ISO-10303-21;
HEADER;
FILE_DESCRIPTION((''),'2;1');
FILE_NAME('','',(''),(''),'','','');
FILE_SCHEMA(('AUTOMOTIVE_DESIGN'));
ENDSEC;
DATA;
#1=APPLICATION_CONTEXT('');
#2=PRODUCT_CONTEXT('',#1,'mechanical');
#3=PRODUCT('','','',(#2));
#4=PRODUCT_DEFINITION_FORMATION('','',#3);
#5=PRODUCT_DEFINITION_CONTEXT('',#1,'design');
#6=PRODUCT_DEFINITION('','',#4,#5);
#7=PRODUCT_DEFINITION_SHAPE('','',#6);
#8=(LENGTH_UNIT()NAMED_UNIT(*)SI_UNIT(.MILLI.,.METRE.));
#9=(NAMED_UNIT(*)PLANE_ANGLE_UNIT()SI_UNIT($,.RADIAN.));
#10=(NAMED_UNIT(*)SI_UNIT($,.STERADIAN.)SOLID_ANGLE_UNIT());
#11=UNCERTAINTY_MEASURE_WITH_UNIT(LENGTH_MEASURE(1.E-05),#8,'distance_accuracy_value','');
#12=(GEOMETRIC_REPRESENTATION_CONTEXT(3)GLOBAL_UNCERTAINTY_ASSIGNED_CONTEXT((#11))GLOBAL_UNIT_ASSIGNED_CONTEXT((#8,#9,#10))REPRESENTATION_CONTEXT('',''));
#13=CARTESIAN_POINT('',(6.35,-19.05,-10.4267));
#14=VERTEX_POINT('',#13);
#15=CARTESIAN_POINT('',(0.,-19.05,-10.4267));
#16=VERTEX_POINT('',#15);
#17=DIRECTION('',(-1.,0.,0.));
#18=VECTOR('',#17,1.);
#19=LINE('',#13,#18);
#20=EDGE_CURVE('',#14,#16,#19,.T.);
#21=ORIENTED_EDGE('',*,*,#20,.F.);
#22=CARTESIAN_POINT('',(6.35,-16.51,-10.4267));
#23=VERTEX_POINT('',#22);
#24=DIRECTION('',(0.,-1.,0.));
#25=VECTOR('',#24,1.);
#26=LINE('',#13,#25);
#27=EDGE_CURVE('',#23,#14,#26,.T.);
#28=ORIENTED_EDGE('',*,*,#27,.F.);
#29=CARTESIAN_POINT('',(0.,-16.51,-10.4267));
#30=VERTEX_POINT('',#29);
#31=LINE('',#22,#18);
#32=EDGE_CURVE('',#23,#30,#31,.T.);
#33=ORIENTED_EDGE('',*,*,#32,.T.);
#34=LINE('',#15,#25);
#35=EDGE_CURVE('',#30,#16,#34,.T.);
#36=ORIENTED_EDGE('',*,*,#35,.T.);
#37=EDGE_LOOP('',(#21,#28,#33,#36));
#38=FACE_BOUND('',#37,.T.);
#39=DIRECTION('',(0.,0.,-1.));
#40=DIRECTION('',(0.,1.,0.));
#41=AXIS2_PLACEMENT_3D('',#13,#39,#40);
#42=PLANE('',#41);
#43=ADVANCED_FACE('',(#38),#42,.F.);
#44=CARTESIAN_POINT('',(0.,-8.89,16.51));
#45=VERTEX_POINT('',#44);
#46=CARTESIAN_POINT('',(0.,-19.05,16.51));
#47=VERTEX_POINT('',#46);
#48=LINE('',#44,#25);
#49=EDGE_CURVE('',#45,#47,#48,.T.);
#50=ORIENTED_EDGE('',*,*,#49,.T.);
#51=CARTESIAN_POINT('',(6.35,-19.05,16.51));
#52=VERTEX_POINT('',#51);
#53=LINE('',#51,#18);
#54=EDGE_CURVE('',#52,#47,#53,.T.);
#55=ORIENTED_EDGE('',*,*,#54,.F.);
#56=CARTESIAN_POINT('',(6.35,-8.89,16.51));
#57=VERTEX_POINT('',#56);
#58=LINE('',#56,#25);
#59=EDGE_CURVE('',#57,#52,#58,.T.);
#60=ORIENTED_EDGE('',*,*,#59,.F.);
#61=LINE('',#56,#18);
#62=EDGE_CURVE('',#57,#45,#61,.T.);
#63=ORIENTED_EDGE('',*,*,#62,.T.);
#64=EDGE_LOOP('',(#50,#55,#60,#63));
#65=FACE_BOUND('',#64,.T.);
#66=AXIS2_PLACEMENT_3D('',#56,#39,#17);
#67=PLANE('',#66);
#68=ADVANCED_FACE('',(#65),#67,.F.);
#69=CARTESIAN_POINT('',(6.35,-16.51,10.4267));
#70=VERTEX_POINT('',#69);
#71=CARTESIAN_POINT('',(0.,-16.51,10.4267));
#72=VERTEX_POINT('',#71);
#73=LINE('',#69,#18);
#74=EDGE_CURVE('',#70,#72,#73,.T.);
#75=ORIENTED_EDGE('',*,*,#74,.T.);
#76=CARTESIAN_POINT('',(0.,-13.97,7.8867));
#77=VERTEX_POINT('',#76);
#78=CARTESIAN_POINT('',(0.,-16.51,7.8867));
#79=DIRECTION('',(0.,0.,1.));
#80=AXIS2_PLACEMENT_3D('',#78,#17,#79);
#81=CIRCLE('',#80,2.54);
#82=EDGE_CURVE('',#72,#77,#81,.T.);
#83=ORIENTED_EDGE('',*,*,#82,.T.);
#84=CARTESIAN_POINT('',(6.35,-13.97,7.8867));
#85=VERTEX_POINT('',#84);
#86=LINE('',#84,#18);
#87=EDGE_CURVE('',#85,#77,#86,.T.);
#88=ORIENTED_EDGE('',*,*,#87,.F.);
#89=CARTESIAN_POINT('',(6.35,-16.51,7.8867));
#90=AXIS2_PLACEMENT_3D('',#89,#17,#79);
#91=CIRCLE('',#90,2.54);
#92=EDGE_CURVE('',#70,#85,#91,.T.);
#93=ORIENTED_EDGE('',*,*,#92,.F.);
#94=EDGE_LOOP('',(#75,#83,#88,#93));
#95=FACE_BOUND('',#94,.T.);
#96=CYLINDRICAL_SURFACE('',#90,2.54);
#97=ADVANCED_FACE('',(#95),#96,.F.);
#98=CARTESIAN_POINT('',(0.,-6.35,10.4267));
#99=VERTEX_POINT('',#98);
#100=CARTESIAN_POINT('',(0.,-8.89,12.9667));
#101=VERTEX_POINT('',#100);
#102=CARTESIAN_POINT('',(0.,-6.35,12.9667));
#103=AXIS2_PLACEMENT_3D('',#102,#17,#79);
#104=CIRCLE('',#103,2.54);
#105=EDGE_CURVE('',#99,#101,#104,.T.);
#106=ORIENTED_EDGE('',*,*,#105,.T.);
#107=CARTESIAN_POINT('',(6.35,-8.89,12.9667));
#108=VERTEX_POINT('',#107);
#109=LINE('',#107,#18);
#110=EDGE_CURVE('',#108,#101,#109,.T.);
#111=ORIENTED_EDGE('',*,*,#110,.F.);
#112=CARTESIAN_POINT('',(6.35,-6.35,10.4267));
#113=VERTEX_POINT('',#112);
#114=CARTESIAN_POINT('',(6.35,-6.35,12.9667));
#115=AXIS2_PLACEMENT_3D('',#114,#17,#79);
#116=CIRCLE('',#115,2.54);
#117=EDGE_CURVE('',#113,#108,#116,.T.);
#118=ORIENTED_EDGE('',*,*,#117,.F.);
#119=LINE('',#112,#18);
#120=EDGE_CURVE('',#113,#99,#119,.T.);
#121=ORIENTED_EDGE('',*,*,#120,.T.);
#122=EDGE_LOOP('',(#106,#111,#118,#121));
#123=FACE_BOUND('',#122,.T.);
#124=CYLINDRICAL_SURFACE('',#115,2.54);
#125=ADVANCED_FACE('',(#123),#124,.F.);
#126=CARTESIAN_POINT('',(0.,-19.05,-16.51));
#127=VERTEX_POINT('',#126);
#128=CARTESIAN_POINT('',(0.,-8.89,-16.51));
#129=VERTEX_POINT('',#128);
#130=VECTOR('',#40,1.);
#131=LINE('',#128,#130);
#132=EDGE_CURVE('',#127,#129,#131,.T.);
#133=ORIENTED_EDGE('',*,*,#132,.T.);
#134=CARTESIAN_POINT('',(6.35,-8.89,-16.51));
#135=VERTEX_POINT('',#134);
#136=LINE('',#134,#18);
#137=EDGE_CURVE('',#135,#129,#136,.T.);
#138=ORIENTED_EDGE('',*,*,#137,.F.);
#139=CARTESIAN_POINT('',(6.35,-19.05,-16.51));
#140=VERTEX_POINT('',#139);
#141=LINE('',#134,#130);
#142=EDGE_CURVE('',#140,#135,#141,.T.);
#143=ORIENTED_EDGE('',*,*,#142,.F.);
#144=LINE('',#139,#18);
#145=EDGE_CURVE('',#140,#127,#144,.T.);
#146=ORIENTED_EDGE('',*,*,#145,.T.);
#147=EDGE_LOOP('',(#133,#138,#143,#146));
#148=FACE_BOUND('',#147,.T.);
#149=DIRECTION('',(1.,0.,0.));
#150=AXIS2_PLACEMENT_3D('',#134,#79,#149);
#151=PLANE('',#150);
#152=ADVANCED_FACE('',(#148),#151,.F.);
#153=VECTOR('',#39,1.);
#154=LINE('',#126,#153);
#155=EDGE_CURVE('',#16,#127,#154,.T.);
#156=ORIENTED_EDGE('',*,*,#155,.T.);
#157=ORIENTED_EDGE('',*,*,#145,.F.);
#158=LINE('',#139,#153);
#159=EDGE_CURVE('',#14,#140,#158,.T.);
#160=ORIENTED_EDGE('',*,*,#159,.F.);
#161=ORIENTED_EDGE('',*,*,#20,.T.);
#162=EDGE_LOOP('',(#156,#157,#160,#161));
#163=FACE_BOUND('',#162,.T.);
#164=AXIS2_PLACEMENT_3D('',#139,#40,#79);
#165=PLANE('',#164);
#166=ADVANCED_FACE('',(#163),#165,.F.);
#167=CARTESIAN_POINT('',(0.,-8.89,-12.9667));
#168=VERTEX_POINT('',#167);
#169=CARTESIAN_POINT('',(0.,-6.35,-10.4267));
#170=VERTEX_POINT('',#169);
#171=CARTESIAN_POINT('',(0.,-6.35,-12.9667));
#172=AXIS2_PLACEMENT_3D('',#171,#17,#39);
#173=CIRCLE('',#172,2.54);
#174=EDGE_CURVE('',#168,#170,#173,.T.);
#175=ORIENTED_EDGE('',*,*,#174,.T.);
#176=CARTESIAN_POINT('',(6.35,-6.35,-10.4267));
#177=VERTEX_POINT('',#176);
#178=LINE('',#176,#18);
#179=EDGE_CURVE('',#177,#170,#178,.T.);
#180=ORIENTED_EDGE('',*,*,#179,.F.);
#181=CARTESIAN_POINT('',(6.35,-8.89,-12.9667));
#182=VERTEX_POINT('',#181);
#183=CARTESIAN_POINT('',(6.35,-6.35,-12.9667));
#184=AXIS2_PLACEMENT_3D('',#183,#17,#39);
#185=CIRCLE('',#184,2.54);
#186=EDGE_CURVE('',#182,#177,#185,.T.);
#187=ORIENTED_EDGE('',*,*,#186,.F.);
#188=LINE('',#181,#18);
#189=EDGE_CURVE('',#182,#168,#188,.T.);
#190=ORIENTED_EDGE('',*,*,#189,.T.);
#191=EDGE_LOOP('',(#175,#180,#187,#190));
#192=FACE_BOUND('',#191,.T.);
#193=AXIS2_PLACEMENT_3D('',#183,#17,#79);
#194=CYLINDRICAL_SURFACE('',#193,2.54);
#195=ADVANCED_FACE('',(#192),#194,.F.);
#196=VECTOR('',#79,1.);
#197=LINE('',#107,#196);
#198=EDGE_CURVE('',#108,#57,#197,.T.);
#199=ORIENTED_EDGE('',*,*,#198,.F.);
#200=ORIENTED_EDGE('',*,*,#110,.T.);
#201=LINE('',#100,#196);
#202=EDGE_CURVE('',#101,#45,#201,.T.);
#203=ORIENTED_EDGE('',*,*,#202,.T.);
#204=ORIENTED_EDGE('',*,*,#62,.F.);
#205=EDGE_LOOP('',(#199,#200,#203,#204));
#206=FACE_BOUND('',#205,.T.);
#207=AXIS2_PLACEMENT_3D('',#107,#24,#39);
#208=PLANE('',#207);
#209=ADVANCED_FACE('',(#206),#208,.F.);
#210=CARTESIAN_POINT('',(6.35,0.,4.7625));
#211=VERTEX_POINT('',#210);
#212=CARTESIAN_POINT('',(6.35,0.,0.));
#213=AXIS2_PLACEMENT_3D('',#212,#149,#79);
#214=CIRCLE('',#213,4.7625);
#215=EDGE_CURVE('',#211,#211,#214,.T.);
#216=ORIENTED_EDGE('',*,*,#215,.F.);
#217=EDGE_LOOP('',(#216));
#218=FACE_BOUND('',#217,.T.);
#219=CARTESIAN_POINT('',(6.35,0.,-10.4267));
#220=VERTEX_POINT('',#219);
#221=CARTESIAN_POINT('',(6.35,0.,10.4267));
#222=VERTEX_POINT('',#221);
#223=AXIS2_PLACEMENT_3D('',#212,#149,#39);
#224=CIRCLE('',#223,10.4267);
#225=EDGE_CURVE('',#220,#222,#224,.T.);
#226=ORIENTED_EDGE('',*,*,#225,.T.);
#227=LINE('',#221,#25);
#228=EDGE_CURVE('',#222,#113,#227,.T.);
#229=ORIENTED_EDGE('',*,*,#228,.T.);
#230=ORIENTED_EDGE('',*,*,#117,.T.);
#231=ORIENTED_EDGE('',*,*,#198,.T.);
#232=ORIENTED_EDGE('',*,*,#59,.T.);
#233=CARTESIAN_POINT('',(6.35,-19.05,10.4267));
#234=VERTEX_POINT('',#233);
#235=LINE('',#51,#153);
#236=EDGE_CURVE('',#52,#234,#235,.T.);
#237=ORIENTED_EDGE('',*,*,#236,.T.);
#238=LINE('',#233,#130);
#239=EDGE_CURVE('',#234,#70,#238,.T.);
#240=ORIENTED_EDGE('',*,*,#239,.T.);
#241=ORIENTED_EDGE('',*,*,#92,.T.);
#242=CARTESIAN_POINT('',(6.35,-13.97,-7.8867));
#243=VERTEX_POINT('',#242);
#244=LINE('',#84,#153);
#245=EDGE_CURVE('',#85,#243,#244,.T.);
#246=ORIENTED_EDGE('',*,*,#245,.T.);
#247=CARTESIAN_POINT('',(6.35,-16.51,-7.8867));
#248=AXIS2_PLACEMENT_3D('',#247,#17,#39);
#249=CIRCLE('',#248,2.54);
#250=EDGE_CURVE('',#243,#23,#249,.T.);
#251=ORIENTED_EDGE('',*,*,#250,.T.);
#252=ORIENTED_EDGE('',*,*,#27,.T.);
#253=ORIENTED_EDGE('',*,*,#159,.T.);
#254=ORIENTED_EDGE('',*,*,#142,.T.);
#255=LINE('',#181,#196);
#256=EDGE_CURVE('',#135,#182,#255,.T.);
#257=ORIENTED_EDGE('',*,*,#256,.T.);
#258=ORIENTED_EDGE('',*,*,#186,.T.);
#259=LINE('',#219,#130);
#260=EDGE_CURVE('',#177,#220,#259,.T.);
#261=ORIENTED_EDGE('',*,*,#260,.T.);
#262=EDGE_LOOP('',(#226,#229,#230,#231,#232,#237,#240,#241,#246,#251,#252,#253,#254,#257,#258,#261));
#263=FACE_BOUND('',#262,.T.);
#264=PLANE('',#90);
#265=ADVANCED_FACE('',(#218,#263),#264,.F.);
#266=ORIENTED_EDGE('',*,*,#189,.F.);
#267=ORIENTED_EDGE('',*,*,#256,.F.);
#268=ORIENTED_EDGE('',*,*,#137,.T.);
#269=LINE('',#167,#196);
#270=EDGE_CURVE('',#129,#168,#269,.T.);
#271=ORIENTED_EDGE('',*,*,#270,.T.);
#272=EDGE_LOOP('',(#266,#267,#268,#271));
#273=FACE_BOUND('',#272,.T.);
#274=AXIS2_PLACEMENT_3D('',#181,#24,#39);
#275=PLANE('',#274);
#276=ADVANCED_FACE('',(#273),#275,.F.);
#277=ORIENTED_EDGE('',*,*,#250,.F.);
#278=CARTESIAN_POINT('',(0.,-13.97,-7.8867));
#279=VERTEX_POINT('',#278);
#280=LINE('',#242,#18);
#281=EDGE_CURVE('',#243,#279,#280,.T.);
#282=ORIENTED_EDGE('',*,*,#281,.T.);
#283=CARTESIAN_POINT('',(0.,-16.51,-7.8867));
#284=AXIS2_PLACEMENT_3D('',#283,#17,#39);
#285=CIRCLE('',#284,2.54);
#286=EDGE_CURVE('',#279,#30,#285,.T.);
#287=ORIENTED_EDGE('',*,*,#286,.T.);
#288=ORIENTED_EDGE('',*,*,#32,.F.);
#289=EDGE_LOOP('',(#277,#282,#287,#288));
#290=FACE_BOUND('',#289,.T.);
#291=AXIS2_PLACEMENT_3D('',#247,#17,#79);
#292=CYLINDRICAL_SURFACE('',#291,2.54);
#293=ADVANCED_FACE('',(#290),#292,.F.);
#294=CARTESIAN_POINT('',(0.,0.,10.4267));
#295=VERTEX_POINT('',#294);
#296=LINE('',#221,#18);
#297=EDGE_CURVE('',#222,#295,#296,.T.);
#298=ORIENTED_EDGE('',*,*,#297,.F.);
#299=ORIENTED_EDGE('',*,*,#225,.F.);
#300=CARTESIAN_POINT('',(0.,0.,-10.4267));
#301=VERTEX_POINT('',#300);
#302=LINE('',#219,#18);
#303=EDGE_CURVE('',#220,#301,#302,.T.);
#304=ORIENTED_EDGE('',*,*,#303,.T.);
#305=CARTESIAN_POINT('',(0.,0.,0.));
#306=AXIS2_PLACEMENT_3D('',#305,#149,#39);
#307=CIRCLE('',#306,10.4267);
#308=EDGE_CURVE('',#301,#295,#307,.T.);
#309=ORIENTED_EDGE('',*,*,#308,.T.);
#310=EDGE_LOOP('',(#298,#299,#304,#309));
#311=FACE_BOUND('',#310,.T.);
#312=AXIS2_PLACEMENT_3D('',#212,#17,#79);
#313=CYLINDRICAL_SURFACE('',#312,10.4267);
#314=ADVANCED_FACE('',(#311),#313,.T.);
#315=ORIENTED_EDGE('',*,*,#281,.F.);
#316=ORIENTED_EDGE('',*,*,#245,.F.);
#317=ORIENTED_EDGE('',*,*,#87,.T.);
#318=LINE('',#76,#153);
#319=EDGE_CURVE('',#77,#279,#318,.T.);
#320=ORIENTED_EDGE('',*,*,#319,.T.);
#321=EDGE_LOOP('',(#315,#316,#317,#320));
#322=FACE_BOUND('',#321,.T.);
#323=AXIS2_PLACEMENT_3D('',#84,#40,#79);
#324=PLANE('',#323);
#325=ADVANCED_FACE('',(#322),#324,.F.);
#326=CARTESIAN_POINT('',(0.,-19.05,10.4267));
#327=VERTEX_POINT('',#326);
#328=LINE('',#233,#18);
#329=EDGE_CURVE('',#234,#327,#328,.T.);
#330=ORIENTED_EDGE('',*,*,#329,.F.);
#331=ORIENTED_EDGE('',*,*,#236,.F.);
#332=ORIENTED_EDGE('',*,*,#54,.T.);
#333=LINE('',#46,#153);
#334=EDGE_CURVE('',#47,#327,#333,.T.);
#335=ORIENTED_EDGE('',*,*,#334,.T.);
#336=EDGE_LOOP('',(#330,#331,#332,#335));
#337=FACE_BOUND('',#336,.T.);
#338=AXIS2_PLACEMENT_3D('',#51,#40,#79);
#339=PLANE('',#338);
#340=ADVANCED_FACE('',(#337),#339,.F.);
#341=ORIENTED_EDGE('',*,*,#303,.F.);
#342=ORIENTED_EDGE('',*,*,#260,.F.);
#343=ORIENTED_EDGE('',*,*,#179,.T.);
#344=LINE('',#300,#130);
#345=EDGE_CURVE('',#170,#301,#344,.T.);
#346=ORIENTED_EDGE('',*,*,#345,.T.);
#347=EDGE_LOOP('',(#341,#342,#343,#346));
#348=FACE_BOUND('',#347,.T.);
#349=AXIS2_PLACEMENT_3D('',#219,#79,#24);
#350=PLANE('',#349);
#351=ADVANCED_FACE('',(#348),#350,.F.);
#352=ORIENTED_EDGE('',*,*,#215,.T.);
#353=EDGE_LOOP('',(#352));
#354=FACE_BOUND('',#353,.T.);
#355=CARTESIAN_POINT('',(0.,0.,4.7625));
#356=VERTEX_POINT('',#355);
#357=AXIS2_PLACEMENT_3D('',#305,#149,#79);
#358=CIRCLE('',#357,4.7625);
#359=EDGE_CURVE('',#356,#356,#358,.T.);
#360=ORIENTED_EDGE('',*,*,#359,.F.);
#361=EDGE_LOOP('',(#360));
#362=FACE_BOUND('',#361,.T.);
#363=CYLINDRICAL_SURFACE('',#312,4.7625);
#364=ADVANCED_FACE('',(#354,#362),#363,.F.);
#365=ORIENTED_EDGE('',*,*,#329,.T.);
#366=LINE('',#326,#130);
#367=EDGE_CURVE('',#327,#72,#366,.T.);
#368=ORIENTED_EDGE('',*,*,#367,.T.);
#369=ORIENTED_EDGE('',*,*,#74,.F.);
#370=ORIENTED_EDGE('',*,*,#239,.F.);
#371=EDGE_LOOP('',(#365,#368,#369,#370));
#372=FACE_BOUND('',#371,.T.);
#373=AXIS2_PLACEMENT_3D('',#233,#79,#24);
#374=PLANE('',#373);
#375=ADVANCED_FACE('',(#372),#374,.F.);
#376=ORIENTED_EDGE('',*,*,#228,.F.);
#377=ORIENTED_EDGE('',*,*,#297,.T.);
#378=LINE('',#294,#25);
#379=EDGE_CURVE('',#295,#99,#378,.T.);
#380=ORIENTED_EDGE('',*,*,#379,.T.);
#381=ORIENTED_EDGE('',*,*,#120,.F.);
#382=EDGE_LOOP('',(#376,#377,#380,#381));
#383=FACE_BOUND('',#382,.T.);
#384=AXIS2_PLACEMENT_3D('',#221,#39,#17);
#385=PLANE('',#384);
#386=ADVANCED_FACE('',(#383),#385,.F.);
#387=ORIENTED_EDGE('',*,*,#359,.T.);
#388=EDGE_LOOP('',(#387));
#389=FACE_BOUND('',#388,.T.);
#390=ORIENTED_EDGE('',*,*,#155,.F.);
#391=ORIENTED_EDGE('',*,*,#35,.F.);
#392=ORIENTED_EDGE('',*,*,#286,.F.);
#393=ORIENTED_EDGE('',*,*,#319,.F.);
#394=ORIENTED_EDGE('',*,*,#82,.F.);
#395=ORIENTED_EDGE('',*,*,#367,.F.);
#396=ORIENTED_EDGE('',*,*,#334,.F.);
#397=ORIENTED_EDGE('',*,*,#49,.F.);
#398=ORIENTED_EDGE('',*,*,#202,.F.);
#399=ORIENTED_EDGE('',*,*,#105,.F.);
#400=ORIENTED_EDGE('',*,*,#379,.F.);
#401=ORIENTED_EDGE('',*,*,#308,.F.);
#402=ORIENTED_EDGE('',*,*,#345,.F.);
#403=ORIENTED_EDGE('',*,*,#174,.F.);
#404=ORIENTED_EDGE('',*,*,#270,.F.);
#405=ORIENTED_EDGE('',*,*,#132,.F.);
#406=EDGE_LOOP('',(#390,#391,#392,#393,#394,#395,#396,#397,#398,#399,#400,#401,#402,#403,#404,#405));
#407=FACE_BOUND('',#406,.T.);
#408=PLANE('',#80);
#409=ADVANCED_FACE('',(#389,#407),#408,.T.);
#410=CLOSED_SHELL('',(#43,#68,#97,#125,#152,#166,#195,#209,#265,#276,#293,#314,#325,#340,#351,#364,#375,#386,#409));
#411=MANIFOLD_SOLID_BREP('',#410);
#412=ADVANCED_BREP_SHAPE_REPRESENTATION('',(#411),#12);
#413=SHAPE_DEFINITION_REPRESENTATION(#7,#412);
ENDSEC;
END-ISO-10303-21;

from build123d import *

# Parameters (mm, degrees)
SKETCH1_R           = 4.7625
BOSS_EXTRUDE1_DEPTH = 6.35


with BuildPart() as part:
    # Sketch1 → Boss-Extrude1 (new body)
    with BuildSketch(Plane(origin=(0, 0, 0), x_dir=(0, 0, -1), z_dir=(1, 0, 0))):
        with BuildLine():
            Line((-16.51, -19.05), (-10.4267, -19.05))
            Line((-10.4267, -19.05), (-10.4267, -16.51))
            ThreePointArc((-10.4267, -16.51), (-9.682751224, -14.713948776), (-7.8867, -13.97))
            Line((-7.8867, -13.97), (7.8867, -13.97))
            ThreePointArc((7.8867, -13.97), (9.682751224, -14.713948776), (10.4267, -16.51))
            Line((10.4267, -16.51), (10.4267, -19.05))
            Line((10.4267, -19.05), (16.51, -19.05))
            Line((16.51, -19.05), (16.51, -8.89))
            Line((16.51, -8.89), (12.9667, -8.89))
            ThreePointArc((12.9667, -8.89), (11.170648776, -8.146051224), (10.4267, -6.35))
            Line((10.4267, -6.35), (10.4267, 0))
            ThreePointArc((10.4267, 0), (0, 10.4267), (-10.4267, 0))
            Line((-10.4267, 0), (-10.4267, -6.35))
            ThreePointArc((-10.4267, -6.35), (-11.170648776, -8.146051224), (-12.9667, -8.89))
            Line((-12.9667, -8.89), (-16.51, -8.89))
            Line((-16.51, -8.89), (-16.51, -19.05))
        make_face()
        with Locations(Location((0, 0, 0), (0, 0, 180))):
            Circle(SKETCH1_R, mode=Mode.SUBTRACT)
    extrude(amount=BOSS_EXTRUDE1_DEPTH)


solid = part.part
